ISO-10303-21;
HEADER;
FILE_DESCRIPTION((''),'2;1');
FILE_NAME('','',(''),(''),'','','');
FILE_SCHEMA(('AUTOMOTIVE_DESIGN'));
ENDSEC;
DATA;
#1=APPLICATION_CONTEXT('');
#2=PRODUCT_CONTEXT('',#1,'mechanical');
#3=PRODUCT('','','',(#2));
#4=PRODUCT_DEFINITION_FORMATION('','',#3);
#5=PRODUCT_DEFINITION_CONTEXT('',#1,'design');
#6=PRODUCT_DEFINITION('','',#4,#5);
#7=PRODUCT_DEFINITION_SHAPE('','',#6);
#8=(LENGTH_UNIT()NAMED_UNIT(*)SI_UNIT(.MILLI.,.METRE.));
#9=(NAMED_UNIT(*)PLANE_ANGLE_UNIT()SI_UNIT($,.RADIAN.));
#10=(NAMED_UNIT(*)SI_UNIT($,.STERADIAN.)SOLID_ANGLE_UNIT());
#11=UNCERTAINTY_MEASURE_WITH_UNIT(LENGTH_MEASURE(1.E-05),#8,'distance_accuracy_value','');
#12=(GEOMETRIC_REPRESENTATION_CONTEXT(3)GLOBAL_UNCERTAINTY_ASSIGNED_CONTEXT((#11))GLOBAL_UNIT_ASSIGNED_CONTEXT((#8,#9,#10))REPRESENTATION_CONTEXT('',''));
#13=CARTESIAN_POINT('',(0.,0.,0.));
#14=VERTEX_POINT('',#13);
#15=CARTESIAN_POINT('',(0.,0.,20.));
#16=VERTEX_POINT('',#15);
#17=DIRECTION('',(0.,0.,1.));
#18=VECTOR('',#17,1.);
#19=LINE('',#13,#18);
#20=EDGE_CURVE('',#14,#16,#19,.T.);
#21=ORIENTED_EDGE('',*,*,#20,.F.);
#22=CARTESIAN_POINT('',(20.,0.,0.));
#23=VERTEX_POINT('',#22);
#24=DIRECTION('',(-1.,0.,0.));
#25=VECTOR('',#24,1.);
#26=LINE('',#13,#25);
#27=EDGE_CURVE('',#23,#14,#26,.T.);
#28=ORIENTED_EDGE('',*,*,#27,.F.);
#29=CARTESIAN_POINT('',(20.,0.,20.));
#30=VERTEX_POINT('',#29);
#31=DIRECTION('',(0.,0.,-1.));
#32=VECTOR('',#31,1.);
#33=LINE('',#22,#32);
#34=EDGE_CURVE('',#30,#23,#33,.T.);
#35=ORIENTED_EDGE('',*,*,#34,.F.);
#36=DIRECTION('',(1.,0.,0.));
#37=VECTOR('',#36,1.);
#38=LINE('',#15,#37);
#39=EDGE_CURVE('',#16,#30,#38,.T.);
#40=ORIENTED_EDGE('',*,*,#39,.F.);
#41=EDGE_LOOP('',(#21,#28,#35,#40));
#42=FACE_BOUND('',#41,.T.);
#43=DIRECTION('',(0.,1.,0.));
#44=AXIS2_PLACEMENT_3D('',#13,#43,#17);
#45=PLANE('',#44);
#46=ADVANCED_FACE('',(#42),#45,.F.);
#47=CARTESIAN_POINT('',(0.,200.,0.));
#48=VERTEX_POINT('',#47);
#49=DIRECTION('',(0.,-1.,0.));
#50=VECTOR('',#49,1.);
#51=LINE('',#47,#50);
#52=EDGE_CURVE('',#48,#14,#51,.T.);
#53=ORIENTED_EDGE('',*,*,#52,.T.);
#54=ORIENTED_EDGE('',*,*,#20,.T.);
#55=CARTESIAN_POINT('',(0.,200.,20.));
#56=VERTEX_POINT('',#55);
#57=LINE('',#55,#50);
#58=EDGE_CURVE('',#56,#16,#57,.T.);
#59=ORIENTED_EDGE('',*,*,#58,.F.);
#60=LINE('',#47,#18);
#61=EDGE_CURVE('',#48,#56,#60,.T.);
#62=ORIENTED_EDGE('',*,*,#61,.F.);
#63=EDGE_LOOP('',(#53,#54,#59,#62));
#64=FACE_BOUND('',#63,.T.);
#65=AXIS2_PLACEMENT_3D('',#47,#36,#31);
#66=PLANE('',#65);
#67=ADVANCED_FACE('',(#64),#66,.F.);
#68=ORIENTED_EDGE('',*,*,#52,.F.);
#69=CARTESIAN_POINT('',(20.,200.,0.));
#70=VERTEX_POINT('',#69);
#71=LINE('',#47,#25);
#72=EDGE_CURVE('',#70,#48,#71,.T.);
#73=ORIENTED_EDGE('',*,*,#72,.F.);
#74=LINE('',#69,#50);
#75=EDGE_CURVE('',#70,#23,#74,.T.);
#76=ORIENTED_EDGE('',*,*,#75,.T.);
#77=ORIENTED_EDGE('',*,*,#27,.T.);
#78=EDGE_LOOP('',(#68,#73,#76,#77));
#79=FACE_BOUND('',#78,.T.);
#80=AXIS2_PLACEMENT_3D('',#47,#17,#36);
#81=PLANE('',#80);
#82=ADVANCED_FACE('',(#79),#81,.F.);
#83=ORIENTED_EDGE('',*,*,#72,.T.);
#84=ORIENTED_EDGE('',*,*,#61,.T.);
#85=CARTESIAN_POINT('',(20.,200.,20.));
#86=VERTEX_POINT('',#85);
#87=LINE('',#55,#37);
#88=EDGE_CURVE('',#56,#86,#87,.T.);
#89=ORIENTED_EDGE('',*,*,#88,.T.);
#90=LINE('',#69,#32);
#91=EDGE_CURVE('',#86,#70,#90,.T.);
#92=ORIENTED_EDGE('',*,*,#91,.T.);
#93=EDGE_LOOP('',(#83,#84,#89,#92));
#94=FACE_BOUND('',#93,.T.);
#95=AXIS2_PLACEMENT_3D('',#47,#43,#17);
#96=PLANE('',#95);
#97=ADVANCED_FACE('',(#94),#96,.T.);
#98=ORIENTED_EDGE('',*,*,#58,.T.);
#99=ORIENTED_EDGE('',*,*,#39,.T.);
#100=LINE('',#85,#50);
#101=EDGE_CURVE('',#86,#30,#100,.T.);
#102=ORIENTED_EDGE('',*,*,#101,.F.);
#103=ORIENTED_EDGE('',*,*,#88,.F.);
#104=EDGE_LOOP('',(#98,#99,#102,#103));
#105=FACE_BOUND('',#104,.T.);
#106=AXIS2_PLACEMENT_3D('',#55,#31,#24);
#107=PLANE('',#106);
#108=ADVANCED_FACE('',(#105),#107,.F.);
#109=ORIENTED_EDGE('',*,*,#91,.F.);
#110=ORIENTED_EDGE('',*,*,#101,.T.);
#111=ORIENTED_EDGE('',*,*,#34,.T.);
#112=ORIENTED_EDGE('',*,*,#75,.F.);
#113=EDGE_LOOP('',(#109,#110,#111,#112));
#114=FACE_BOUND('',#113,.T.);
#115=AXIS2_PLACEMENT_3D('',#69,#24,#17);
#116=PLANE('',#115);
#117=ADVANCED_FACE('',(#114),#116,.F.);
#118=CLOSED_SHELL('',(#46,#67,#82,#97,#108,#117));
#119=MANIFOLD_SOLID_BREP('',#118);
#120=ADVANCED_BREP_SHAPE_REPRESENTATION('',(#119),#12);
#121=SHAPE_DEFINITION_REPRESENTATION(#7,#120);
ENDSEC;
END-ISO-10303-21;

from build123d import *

# Parameters (mm, degrees)
SKIZZE1_W                       = 20
SKIZZE1_H                       = 20
AUFSATZ_LINEAR_AUSTRAGEN1_DEPTH = 200


with BuildPart() as part:
    # Skizze1 → Aufsatz-Linear austragen1 (new body)
    with BuildSketch(Plane(origin=(0, 0, 0), x_dir=(1, 0, 0), z_dir=(0, 1, 0))):
        with Locations((10, -10)):
            Rectangle(SKIZZE1_W, SKIZZE1_H)
    extrude(amount=AUFSATZ_LINEAR_AUSTRAGEN1_DEPTH)


solid = part.part
